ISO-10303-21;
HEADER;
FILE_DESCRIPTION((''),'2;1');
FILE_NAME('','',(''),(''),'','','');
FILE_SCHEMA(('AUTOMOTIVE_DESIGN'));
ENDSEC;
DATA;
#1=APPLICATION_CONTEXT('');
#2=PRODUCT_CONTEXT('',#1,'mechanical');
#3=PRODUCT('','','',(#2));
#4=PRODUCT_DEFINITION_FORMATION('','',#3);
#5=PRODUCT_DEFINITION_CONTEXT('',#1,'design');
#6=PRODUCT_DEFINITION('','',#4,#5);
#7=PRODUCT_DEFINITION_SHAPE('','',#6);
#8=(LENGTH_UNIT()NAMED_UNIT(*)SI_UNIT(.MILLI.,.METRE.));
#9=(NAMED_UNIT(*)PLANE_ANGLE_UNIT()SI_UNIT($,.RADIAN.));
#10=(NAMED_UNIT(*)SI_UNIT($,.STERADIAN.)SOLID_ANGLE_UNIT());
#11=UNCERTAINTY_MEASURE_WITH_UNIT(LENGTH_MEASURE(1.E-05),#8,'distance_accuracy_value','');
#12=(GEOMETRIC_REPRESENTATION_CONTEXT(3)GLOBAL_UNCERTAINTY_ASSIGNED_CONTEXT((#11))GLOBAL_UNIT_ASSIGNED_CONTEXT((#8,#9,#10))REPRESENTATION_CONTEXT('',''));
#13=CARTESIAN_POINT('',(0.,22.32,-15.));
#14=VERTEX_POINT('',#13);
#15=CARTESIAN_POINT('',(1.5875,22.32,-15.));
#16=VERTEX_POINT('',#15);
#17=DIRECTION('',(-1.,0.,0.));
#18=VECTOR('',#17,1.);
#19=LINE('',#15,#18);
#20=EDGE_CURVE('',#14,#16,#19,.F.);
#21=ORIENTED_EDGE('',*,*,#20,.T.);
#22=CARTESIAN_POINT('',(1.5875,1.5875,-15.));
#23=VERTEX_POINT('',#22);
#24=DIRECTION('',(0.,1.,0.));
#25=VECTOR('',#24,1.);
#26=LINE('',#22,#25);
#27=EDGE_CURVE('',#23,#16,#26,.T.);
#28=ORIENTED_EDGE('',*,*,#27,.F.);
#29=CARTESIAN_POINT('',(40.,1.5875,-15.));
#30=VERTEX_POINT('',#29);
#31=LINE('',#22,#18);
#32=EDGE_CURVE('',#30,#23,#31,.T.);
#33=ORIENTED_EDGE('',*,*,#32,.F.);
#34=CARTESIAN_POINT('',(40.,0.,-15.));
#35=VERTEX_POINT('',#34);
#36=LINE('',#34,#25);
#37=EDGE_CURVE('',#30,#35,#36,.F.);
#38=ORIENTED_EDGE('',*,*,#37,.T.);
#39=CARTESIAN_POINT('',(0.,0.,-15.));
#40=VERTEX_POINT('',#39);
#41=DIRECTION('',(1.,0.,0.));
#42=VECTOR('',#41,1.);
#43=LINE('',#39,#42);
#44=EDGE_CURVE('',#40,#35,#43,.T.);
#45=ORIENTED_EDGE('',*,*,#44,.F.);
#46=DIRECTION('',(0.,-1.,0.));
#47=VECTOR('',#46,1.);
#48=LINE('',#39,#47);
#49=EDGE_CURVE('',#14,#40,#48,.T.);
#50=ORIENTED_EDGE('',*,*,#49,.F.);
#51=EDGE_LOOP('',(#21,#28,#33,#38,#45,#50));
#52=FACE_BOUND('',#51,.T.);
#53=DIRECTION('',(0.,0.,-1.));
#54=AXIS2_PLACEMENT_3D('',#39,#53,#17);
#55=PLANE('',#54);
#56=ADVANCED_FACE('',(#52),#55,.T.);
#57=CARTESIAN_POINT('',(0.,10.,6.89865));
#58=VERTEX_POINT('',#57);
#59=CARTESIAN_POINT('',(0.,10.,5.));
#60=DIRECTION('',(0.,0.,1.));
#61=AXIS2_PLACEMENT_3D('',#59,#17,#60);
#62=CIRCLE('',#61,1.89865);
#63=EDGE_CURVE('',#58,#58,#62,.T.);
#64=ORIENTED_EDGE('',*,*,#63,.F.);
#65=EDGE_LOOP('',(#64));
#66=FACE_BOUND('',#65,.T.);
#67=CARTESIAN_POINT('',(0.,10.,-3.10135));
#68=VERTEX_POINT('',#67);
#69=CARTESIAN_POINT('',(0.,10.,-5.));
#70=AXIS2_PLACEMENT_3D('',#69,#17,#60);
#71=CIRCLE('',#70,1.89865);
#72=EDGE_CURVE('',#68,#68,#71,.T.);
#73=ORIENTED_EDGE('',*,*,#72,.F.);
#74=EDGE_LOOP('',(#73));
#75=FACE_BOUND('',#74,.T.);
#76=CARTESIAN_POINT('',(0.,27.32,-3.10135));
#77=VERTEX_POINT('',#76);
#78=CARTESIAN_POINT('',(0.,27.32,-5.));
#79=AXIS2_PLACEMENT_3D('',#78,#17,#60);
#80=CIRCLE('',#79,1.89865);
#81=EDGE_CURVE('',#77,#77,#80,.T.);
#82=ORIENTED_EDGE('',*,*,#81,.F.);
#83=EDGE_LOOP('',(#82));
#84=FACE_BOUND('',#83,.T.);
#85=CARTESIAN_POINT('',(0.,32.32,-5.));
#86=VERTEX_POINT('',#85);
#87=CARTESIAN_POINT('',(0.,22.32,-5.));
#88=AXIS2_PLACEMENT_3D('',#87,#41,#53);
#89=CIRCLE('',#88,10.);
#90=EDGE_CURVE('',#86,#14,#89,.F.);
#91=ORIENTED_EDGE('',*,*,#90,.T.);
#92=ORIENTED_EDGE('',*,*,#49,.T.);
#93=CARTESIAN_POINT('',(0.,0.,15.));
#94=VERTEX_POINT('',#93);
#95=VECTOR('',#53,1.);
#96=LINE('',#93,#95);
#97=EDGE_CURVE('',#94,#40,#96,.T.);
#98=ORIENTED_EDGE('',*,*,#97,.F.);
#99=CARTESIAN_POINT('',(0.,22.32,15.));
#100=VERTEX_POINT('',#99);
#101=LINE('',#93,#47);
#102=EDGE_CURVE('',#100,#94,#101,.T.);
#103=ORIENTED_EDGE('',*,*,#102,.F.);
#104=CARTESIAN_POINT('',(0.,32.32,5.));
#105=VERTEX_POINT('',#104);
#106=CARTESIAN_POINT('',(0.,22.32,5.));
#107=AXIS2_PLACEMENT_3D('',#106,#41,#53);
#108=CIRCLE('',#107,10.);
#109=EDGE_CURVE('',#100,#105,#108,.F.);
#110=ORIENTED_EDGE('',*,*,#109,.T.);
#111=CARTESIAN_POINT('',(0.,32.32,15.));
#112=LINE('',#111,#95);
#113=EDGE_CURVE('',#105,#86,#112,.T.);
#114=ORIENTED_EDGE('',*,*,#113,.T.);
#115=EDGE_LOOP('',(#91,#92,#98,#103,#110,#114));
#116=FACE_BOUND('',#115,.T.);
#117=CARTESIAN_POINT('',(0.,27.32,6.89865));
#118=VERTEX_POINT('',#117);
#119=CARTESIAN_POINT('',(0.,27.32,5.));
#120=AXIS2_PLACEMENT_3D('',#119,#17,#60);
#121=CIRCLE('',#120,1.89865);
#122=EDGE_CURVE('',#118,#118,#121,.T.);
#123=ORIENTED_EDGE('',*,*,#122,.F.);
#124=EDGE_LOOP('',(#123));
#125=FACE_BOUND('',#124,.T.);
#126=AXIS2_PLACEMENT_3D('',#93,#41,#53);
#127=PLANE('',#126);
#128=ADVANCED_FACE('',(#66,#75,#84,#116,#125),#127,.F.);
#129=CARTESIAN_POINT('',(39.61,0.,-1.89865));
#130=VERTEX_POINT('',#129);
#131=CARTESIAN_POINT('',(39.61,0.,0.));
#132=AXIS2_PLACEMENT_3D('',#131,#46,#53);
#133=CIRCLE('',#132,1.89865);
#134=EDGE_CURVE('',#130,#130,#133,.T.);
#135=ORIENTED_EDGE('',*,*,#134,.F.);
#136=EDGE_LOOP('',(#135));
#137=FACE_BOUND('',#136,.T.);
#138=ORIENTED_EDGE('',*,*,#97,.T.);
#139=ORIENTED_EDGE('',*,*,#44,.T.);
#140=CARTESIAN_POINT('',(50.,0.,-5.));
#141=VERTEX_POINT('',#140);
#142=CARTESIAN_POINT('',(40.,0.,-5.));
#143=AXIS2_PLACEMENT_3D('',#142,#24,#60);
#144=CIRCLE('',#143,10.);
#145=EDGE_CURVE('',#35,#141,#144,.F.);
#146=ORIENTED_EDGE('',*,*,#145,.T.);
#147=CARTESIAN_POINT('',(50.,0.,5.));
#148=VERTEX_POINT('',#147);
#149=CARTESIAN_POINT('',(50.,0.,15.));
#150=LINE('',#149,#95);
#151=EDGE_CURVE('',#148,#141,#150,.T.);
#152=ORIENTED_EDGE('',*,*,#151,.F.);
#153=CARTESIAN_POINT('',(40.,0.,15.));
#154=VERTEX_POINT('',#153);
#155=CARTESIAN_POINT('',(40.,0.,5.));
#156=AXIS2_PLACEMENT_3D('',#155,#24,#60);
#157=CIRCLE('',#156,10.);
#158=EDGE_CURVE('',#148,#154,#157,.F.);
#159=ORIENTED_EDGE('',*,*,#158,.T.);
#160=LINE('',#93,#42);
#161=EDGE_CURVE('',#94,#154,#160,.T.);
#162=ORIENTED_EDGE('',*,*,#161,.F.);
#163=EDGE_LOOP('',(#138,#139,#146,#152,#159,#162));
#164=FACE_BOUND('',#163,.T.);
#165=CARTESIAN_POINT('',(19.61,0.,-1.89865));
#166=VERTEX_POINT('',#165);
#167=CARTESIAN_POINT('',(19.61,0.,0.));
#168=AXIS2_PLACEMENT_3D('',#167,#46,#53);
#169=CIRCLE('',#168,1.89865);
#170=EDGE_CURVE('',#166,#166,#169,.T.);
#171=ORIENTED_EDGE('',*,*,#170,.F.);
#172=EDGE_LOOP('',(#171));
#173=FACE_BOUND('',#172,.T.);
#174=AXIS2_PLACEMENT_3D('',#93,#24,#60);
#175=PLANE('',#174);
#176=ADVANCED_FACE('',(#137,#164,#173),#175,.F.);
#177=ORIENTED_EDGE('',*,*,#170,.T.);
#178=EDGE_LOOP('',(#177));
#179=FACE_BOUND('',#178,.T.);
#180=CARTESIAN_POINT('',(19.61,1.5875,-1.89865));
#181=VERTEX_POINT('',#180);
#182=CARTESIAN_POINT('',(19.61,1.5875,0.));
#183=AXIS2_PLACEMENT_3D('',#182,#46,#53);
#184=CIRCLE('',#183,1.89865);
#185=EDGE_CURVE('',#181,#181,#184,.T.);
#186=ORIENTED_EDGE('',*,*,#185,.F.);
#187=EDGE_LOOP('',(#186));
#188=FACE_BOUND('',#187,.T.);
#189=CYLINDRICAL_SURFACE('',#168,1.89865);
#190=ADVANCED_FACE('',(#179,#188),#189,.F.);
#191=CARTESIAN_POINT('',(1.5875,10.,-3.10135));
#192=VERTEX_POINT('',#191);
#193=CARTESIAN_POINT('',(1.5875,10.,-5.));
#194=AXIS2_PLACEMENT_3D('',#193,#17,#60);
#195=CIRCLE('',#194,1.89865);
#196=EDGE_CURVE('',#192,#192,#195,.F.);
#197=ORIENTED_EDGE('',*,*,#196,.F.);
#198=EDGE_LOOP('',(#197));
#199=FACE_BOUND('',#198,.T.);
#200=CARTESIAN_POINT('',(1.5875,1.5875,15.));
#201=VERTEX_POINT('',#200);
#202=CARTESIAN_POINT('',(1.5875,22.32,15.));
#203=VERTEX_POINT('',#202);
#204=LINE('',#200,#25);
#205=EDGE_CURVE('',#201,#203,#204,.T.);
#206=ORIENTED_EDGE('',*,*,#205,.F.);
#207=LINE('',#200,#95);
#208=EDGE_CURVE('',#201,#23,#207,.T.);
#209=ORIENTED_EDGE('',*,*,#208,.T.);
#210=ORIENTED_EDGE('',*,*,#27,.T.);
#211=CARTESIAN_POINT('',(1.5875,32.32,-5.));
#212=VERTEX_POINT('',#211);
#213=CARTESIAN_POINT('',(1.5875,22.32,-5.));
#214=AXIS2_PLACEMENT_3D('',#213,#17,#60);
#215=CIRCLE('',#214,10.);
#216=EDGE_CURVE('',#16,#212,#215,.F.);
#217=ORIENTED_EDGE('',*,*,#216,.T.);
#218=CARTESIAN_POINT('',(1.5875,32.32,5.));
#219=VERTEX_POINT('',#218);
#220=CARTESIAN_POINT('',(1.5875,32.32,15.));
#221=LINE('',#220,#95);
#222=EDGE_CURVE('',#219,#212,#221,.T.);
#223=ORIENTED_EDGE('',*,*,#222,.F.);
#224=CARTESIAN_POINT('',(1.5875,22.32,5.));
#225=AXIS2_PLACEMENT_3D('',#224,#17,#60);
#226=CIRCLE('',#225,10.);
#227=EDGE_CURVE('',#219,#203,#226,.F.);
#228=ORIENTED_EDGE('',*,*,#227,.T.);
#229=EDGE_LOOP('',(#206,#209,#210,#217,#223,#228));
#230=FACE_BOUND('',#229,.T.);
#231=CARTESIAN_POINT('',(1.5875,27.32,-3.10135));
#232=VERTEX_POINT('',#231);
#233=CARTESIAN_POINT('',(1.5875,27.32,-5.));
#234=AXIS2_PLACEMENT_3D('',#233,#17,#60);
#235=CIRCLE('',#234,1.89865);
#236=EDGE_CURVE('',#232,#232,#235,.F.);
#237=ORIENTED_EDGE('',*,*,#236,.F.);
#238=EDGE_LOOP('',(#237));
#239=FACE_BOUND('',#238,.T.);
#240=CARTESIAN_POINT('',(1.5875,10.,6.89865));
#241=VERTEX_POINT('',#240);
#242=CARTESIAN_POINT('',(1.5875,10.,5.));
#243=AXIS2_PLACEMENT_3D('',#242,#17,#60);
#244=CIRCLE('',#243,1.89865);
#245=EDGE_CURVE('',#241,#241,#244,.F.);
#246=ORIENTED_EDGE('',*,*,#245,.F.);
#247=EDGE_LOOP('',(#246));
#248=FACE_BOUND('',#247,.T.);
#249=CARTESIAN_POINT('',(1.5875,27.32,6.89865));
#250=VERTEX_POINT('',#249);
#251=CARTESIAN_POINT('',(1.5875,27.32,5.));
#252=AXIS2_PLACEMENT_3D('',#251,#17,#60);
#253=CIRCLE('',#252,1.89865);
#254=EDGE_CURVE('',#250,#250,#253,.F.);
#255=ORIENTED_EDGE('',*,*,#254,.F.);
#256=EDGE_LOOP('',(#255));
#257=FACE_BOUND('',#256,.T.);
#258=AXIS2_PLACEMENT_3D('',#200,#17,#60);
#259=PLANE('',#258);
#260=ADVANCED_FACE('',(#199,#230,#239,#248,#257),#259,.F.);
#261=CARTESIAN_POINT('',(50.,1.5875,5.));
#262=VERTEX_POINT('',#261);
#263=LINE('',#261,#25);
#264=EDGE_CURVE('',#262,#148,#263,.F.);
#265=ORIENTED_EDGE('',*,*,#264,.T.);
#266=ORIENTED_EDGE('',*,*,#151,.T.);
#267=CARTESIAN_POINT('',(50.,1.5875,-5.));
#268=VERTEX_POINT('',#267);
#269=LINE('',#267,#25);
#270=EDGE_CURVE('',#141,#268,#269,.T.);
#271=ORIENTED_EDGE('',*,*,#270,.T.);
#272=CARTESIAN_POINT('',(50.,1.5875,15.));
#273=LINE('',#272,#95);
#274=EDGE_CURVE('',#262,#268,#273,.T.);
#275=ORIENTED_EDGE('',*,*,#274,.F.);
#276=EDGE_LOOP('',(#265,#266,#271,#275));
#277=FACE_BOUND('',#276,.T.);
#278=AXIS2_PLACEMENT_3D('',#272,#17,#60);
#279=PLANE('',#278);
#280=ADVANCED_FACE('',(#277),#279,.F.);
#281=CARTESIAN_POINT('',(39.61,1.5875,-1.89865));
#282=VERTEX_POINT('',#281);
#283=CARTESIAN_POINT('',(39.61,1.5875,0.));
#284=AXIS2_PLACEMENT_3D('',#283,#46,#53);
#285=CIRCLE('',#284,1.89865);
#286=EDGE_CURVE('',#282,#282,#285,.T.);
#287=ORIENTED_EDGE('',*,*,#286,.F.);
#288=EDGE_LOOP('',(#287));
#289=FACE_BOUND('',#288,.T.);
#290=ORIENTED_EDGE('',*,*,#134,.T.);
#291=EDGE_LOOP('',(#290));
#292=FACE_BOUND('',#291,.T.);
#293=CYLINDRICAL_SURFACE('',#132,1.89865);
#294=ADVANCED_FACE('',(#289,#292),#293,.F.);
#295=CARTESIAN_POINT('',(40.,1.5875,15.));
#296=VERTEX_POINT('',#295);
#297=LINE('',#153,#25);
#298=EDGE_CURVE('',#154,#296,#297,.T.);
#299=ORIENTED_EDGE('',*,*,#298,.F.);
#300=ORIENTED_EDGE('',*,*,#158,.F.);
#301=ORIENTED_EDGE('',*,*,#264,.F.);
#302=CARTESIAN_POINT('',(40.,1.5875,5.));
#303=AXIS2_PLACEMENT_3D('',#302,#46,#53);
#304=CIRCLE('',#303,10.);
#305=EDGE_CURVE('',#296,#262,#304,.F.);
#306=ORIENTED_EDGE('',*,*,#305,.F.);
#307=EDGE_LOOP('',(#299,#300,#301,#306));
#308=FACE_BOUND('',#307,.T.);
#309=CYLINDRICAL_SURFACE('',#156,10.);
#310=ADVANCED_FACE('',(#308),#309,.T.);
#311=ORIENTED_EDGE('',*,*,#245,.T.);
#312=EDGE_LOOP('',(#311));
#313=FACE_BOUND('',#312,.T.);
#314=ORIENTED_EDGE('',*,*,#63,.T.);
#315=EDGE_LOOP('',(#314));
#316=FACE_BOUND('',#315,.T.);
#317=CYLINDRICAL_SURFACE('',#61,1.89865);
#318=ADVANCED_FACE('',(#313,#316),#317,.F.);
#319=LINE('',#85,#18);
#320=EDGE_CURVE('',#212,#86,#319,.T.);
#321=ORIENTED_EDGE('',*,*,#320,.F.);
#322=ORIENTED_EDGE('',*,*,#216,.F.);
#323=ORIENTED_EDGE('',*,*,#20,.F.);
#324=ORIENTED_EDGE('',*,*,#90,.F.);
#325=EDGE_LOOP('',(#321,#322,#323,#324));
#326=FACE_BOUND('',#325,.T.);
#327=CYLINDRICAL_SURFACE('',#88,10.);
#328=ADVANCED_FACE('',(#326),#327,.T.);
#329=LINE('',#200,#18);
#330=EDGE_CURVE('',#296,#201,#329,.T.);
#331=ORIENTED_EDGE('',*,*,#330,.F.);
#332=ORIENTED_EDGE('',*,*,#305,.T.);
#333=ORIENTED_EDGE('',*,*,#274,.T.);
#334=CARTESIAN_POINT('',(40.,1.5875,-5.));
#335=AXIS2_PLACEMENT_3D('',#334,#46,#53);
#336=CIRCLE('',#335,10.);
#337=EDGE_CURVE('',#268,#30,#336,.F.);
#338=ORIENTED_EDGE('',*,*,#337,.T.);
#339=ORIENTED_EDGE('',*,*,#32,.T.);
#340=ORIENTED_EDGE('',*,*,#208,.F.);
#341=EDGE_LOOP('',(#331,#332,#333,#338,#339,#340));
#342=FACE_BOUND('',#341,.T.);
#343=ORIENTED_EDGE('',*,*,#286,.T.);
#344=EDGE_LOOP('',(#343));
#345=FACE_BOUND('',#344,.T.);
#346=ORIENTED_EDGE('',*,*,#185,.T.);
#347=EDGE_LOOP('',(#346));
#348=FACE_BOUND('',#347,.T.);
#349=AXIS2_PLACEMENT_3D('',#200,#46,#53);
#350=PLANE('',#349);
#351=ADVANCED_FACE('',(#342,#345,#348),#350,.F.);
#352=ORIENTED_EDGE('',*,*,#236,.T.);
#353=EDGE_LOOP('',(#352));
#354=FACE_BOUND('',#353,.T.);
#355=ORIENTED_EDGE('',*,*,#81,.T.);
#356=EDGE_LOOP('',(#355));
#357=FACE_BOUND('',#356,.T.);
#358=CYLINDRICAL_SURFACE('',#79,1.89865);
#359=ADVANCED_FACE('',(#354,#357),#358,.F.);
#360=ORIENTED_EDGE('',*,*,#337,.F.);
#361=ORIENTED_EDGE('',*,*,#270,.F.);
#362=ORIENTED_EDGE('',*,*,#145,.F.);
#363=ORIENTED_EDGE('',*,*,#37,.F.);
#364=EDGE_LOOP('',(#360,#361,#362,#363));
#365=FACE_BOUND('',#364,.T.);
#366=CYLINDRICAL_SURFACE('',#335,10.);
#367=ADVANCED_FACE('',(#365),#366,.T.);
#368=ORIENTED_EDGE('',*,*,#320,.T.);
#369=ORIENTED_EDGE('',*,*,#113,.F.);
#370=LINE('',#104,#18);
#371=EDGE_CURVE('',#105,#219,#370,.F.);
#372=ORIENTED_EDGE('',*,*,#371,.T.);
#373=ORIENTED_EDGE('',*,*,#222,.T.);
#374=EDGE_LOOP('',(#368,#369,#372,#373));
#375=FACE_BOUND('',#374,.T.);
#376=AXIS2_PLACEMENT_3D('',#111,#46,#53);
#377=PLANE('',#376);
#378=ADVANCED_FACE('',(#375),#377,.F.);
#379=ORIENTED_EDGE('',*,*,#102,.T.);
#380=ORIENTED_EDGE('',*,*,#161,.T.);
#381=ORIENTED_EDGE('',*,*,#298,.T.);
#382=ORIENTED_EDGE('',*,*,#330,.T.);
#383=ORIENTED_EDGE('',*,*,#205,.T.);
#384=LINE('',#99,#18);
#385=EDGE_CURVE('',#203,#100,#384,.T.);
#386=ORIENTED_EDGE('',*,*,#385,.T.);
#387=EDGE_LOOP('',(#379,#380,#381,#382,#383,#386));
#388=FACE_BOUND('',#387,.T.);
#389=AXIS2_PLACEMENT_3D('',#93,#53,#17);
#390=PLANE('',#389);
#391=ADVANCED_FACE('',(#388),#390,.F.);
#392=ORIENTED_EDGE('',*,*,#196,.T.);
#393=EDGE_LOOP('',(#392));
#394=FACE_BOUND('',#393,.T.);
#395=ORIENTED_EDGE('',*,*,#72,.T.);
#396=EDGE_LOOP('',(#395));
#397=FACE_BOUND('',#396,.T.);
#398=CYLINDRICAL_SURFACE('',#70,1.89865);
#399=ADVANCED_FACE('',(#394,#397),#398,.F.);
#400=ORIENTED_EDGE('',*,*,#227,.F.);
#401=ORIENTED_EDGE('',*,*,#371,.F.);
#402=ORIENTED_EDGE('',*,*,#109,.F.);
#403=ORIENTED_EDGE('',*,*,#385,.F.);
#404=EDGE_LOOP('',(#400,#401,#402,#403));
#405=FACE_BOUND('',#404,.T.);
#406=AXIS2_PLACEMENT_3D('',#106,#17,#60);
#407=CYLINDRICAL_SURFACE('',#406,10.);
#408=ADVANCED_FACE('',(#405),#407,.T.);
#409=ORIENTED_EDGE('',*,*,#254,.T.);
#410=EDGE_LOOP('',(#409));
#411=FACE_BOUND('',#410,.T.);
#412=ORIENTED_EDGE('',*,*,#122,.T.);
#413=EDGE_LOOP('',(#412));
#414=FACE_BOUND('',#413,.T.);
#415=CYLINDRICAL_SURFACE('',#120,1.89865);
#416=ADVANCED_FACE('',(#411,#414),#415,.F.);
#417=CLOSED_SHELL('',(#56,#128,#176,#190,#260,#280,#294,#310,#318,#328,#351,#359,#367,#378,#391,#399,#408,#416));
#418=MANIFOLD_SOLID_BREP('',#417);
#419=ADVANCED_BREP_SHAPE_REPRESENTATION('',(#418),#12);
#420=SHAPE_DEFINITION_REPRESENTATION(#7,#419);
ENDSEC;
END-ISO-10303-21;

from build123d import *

# Parameters (mm, degrees)
BOSS_EXTRUDE1_DEPTH   = 15
F_6_CLEARANCE_HOLE1_D = 3.7973
FILLET1_R             = 10
F_6_CLEARANCE_HOLE2_D = 3.7973


with BuildPart() as part:
    # Sketch2 → Boss-Extrude1 (new, symmetric)
    with BuildSketch(Plane.XY):
        Polygon((0, 0), (50, 0), (50, 1.5875), (1.5875, 1.5875), (1.5875, 32.32), (0, 32.32), align=None)
    extrude(amount=BOSS_EXTRUDE1_DEPTH, both=True)

    # #6 Clearance Hole1 (through all)
    with Locations(Plane.ZY):
        with Locations((-5, 27.32), (5, 10), (5, 27.32), (-5, 10)):
            Hole(F_6_CLEARANCE_HOLE1_D / 2)

    # Fillet1
    fillet1_edges = [part.edges().sort_by_distance(p)[0] for p in [
        (50, 0.79375, 15),
        (0.79375, 32.32, 15),
        (0.79375, 32.32, -15),
        (50, 0.79375, -15),
    ]]
    fillet(fillet1_edges, radius=FILLET1_R)

    # #6 Clearance Hole2 (through all)
    with Locations(Plane(origin=(0, 0, 0), x_dir=(-1, 0, 0), z_dir=(0, -1, 0))):
        with Locations((-19.61, 0), (-39.61, 0)):
            Hole(F_6_CLEARANCE_HOLE2_D / 2)


solid = part.part
